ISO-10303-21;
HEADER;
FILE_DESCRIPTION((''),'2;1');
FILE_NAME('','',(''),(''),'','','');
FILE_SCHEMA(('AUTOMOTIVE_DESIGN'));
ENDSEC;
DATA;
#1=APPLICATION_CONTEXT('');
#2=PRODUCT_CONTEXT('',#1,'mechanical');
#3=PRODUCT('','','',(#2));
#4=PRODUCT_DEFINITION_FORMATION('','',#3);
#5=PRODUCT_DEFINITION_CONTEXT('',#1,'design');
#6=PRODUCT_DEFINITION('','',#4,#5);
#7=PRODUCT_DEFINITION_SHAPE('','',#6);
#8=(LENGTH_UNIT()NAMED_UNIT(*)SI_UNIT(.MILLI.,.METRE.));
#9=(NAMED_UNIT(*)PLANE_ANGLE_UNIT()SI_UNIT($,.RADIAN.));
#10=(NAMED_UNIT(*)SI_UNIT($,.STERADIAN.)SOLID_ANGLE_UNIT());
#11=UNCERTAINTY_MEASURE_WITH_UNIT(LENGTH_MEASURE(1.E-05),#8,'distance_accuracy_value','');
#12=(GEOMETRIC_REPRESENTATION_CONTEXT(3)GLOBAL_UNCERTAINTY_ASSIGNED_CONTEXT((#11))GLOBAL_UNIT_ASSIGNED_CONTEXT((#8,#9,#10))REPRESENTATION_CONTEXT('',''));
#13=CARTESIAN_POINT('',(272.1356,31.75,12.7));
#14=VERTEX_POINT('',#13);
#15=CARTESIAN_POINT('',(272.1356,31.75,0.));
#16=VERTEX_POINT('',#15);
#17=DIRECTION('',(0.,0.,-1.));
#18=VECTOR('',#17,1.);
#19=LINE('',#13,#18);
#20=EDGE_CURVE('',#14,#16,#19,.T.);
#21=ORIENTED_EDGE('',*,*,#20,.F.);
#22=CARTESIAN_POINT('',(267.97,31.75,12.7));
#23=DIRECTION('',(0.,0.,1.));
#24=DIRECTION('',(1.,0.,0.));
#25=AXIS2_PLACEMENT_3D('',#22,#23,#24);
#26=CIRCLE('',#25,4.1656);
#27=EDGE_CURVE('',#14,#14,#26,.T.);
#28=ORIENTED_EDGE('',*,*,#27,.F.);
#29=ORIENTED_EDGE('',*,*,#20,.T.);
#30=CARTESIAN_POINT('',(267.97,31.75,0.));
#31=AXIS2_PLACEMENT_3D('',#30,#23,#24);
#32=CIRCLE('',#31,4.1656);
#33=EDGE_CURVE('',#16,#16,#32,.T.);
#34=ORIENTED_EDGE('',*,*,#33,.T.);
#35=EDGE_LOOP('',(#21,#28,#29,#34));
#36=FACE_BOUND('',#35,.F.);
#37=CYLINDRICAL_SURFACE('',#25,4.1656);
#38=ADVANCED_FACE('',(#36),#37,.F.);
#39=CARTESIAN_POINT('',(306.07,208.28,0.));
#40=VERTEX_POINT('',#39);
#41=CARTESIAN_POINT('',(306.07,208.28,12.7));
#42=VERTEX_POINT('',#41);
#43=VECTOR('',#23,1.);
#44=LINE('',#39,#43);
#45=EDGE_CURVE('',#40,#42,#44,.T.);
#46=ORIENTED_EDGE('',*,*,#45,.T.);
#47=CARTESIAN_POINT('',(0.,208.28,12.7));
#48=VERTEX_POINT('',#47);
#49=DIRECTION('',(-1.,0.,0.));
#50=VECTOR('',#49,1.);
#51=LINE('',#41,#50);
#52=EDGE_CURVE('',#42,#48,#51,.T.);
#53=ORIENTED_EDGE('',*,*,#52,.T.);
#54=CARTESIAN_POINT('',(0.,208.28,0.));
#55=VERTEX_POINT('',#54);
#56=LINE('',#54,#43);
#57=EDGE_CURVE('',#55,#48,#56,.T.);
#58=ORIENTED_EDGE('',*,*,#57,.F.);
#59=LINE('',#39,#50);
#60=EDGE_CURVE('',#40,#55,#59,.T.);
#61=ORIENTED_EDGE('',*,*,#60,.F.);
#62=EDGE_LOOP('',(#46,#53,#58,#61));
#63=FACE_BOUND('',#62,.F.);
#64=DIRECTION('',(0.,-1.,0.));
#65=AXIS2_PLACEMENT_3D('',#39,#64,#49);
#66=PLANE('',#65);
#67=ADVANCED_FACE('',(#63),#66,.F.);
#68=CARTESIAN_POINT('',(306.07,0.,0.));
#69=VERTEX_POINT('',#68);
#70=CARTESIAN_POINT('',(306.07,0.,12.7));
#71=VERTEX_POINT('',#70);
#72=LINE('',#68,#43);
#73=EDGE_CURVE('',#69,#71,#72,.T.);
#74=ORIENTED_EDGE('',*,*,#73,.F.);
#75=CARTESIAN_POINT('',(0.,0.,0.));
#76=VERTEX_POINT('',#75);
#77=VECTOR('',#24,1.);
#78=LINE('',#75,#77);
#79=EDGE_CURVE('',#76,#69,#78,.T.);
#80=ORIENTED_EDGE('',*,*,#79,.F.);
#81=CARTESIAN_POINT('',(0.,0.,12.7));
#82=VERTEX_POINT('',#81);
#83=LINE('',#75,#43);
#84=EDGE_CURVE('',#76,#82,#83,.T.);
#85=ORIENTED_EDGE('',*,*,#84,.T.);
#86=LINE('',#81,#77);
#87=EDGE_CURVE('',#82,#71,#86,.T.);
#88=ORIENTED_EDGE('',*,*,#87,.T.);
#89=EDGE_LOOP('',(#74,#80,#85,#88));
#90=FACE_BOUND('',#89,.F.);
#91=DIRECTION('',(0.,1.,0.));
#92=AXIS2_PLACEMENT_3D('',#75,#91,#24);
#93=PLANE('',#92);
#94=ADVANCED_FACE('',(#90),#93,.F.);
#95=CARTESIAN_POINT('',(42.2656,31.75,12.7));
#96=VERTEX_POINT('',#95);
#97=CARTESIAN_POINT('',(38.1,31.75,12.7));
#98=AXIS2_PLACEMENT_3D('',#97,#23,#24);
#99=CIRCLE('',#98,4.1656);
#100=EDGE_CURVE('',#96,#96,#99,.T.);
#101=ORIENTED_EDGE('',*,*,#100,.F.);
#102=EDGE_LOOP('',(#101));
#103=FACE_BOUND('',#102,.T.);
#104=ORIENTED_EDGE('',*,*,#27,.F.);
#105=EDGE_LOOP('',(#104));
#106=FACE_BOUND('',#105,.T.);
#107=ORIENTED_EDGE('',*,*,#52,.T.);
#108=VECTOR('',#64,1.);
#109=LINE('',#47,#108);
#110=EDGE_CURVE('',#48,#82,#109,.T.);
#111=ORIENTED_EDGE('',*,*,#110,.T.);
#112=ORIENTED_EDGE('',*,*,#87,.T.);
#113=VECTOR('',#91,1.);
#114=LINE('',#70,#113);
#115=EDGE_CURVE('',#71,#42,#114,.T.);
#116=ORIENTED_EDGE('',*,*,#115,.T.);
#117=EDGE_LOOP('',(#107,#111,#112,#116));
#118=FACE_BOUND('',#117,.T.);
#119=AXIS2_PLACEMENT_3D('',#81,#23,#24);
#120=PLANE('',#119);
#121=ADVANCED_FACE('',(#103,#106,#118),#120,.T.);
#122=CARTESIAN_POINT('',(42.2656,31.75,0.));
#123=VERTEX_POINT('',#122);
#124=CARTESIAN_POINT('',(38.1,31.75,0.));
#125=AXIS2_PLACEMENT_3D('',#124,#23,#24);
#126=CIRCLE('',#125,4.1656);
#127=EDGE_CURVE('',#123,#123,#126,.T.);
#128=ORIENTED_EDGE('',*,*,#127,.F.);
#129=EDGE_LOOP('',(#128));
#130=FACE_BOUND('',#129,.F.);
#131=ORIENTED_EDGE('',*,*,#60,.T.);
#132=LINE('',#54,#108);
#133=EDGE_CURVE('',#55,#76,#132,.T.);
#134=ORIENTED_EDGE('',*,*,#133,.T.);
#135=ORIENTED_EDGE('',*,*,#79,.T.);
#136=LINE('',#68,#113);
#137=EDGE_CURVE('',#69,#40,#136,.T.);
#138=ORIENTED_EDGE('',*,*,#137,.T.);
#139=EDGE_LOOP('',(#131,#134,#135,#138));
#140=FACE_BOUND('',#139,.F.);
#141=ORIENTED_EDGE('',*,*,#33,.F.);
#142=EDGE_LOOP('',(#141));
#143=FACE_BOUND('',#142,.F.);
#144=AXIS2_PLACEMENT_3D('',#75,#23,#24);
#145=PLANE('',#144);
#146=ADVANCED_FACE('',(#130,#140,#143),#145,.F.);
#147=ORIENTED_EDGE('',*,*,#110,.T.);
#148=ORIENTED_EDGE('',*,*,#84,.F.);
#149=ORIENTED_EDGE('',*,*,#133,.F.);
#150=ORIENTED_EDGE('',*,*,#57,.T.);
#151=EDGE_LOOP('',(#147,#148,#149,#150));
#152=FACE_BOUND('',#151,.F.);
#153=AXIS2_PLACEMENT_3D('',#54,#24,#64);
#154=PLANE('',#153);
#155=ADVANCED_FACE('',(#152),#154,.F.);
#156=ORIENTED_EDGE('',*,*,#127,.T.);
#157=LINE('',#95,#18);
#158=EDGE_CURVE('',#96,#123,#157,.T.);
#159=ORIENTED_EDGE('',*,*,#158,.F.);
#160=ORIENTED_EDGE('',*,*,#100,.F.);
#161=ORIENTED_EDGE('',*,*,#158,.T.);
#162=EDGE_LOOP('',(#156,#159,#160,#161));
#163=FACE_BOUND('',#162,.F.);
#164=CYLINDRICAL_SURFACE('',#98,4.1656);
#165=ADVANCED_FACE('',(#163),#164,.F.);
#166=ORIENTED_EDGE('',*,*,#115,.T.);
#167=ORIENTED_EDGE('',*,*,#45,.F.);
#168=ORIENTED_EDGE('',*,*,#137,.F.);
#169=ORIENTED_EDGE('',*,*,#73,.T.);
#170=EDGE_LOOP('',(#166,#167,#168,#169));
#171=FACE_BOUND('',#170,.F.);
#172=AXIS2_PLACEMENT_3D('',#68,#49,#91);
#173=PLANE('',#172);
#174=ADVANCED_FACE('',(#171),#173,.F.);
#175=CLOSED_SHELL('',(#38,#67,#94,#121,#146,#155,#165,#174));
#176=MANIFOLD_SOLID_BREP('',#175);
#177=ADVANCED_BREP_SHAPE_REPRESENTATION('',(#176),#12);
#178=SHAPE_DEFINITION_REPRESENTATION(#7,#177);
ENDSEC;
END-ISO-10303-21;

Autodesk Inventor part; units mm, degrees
ref_plane "YZ Plane" through (0, 0, 0) normal (1, 0, 0) x (0, 1, 0)
ref_plane "XZ Plane" through (0, 0, 0) normal (0, 1, 0) x (-1, 0, 0)
ref_plane "XY Plane" through (0, 0, 0) normal (0, 0, 1) x (1, 0, 0)
sketch "Sketch1" plane through (0, 0, 0) normal (0, 0, 1) x (1, 0, 0)
  line L0 (0, 0) -> (306.07, 0)
  line L1 (306.07, 0) -> (306.07, 208.28)
  line L2 (306.07, 208.28) -> (0, 208.28)
  line L3 (0, 208.28) -> (0, 0)
  dimension "d0" = 306.07
  dimension "d1" = 208.28
extrude "Extrusion1" add sketch "Sketch1" along normal blind 12.7
sketch "Sketch2" plane through (0, 0, 12.7) normal (0, 0, 1) x (1, 0, 0)
  circle A0 centre (38.1, 31.75) radius 4.1656
  circle A1 centre (267.97, 31.75) radius 4.1656
  line L0 (306.07, 0) -> (306.07, 208.28) projected
  line L1 (0, 208.28) -> (0, 0) projected
  line L2 (0, 0) -> (306.07, 0) projected
  dimension "d4" = 8.3312
  dimension "d5" = 8.3312
  dimension "d6" = 38.1
  dimension "d7" = 38.1
  dimension "d8" = 31.75
  dimension "d9" = 31.75
extrude "Extrusion2" cut sketch "Sketch2" against normal blind 25.4
properties part number "rear angled wall"
